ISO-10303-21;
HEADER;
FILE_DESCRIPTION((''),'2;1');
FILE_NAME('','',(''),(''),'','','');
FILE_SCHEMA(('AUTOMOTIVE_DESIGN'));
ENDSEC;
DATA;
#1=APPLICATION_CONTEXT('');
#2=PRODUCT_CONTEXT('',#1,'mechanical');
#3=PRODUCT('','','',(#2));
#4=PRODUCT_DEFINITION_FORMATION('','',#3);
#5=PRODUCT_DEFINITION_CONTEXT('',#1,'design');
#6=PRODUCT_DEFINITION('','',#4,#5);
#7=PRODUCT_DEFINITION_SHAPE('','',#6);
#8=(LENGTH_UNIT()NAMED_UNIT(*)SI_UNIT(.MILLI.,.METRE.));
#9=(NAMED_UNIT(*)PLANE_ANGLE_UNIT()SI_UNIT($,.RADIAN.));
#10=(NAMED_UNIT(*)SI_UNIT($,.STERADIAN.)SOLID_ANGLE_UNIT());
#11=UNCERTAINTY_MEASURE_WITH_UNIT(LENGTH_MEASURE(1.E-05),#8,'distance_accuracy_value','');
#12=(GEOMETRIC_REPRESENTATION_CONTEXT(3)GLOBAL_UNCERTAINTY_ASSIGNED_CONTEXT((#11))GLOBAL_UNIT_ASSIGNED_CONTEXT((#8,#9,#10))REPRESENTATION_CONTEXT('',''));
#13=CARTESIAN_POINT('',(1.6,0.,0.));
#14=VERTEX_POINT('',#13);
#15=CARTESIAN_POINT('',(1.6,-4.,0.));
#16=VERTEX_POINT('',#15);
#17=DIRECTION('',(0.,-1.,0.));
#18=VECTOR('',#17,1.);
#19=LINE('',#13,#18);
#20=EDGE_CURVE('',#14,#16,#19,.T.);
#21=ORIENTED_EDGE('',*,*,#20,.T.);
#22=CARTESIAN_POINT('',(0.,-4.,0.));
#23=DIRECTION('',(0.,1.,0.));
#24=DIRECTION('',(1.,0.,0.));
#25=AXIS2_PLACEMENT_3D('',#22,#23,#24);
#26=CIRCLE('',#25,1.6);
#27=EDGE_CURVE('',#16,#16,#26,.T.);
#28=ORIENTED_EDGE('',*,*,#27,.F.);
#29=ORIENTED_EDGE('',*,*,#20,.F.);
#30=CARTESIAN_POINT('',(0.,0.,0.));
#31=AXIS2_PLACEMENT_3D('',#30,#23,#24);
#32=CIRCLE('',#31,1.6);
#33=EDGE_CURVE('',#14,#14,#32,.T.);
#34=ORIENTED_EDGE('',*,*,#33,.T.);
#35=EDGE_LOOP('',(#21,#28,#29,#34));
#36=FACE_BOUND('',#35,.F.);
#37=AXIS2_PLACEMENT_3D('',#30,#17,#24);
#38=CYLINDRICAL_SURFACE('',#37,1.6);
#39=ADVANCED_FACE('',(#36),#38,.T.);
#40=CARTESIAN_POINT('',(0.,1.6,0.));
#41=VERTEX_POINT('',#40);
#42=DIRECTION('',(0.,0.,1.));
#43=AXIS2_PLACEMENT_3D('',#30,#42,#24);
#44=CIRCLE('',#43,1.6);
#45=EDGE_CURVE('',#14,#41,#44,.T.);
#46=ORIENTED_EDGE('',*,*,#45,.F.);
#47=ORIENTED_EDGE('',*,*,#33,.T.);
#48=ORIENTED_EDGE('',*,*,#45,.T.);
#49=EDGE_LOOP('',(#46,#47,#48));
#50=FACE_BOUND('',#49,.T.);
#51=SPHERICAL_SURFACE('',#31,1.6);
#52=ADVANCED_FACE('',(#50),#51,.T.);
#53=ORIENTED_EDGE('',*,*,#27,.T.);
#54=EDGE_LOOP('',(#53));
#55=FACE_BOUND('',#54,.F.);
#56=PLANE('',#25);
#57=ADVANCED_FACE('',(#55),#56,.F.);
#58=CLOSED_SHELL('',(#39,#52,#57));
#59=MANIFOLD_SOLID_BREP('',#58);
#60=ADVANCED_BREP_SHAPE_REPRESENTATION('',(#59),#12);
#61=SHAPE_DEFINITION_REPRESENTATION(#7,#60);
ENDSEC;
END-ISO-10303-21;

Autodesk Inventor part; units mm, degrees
ref_plane "YZ Plane" through (0, 0, 0) normal (1, 0, 0) x (0, 1, 0)
ref_plane "XZ Plane" through (0, 0, 0) normal (0, 1, 0) x (-1, 0, 0)
ref_plane "XY Plane" through (0, 0, 0) normal (0, 0, 1) x (1, 0, 0)
sketch "Sketch2" plane through (0, 0, 0) normal (0, 0, 1) x (1, 0, 0)
  line L0 (0, -4) -> (0, 1.6)
  arc A0 (1.6, 0) -> (0, 1.6) centre (0, 0) ccw
  line L1 (1.6, 0) -> (1.6, -4)
  line L2 (1.6, -4) -> (0, -4)
  dimension "d0" = 3.2
  dimension "d1" = 5.6
revolve "Revolution1" add sketch "Sketch2" angle 360 about axis through (0, -4, 0) along (0, 1, 0)
properties part number "11177-TransGeen" material "Polycarbonate"
